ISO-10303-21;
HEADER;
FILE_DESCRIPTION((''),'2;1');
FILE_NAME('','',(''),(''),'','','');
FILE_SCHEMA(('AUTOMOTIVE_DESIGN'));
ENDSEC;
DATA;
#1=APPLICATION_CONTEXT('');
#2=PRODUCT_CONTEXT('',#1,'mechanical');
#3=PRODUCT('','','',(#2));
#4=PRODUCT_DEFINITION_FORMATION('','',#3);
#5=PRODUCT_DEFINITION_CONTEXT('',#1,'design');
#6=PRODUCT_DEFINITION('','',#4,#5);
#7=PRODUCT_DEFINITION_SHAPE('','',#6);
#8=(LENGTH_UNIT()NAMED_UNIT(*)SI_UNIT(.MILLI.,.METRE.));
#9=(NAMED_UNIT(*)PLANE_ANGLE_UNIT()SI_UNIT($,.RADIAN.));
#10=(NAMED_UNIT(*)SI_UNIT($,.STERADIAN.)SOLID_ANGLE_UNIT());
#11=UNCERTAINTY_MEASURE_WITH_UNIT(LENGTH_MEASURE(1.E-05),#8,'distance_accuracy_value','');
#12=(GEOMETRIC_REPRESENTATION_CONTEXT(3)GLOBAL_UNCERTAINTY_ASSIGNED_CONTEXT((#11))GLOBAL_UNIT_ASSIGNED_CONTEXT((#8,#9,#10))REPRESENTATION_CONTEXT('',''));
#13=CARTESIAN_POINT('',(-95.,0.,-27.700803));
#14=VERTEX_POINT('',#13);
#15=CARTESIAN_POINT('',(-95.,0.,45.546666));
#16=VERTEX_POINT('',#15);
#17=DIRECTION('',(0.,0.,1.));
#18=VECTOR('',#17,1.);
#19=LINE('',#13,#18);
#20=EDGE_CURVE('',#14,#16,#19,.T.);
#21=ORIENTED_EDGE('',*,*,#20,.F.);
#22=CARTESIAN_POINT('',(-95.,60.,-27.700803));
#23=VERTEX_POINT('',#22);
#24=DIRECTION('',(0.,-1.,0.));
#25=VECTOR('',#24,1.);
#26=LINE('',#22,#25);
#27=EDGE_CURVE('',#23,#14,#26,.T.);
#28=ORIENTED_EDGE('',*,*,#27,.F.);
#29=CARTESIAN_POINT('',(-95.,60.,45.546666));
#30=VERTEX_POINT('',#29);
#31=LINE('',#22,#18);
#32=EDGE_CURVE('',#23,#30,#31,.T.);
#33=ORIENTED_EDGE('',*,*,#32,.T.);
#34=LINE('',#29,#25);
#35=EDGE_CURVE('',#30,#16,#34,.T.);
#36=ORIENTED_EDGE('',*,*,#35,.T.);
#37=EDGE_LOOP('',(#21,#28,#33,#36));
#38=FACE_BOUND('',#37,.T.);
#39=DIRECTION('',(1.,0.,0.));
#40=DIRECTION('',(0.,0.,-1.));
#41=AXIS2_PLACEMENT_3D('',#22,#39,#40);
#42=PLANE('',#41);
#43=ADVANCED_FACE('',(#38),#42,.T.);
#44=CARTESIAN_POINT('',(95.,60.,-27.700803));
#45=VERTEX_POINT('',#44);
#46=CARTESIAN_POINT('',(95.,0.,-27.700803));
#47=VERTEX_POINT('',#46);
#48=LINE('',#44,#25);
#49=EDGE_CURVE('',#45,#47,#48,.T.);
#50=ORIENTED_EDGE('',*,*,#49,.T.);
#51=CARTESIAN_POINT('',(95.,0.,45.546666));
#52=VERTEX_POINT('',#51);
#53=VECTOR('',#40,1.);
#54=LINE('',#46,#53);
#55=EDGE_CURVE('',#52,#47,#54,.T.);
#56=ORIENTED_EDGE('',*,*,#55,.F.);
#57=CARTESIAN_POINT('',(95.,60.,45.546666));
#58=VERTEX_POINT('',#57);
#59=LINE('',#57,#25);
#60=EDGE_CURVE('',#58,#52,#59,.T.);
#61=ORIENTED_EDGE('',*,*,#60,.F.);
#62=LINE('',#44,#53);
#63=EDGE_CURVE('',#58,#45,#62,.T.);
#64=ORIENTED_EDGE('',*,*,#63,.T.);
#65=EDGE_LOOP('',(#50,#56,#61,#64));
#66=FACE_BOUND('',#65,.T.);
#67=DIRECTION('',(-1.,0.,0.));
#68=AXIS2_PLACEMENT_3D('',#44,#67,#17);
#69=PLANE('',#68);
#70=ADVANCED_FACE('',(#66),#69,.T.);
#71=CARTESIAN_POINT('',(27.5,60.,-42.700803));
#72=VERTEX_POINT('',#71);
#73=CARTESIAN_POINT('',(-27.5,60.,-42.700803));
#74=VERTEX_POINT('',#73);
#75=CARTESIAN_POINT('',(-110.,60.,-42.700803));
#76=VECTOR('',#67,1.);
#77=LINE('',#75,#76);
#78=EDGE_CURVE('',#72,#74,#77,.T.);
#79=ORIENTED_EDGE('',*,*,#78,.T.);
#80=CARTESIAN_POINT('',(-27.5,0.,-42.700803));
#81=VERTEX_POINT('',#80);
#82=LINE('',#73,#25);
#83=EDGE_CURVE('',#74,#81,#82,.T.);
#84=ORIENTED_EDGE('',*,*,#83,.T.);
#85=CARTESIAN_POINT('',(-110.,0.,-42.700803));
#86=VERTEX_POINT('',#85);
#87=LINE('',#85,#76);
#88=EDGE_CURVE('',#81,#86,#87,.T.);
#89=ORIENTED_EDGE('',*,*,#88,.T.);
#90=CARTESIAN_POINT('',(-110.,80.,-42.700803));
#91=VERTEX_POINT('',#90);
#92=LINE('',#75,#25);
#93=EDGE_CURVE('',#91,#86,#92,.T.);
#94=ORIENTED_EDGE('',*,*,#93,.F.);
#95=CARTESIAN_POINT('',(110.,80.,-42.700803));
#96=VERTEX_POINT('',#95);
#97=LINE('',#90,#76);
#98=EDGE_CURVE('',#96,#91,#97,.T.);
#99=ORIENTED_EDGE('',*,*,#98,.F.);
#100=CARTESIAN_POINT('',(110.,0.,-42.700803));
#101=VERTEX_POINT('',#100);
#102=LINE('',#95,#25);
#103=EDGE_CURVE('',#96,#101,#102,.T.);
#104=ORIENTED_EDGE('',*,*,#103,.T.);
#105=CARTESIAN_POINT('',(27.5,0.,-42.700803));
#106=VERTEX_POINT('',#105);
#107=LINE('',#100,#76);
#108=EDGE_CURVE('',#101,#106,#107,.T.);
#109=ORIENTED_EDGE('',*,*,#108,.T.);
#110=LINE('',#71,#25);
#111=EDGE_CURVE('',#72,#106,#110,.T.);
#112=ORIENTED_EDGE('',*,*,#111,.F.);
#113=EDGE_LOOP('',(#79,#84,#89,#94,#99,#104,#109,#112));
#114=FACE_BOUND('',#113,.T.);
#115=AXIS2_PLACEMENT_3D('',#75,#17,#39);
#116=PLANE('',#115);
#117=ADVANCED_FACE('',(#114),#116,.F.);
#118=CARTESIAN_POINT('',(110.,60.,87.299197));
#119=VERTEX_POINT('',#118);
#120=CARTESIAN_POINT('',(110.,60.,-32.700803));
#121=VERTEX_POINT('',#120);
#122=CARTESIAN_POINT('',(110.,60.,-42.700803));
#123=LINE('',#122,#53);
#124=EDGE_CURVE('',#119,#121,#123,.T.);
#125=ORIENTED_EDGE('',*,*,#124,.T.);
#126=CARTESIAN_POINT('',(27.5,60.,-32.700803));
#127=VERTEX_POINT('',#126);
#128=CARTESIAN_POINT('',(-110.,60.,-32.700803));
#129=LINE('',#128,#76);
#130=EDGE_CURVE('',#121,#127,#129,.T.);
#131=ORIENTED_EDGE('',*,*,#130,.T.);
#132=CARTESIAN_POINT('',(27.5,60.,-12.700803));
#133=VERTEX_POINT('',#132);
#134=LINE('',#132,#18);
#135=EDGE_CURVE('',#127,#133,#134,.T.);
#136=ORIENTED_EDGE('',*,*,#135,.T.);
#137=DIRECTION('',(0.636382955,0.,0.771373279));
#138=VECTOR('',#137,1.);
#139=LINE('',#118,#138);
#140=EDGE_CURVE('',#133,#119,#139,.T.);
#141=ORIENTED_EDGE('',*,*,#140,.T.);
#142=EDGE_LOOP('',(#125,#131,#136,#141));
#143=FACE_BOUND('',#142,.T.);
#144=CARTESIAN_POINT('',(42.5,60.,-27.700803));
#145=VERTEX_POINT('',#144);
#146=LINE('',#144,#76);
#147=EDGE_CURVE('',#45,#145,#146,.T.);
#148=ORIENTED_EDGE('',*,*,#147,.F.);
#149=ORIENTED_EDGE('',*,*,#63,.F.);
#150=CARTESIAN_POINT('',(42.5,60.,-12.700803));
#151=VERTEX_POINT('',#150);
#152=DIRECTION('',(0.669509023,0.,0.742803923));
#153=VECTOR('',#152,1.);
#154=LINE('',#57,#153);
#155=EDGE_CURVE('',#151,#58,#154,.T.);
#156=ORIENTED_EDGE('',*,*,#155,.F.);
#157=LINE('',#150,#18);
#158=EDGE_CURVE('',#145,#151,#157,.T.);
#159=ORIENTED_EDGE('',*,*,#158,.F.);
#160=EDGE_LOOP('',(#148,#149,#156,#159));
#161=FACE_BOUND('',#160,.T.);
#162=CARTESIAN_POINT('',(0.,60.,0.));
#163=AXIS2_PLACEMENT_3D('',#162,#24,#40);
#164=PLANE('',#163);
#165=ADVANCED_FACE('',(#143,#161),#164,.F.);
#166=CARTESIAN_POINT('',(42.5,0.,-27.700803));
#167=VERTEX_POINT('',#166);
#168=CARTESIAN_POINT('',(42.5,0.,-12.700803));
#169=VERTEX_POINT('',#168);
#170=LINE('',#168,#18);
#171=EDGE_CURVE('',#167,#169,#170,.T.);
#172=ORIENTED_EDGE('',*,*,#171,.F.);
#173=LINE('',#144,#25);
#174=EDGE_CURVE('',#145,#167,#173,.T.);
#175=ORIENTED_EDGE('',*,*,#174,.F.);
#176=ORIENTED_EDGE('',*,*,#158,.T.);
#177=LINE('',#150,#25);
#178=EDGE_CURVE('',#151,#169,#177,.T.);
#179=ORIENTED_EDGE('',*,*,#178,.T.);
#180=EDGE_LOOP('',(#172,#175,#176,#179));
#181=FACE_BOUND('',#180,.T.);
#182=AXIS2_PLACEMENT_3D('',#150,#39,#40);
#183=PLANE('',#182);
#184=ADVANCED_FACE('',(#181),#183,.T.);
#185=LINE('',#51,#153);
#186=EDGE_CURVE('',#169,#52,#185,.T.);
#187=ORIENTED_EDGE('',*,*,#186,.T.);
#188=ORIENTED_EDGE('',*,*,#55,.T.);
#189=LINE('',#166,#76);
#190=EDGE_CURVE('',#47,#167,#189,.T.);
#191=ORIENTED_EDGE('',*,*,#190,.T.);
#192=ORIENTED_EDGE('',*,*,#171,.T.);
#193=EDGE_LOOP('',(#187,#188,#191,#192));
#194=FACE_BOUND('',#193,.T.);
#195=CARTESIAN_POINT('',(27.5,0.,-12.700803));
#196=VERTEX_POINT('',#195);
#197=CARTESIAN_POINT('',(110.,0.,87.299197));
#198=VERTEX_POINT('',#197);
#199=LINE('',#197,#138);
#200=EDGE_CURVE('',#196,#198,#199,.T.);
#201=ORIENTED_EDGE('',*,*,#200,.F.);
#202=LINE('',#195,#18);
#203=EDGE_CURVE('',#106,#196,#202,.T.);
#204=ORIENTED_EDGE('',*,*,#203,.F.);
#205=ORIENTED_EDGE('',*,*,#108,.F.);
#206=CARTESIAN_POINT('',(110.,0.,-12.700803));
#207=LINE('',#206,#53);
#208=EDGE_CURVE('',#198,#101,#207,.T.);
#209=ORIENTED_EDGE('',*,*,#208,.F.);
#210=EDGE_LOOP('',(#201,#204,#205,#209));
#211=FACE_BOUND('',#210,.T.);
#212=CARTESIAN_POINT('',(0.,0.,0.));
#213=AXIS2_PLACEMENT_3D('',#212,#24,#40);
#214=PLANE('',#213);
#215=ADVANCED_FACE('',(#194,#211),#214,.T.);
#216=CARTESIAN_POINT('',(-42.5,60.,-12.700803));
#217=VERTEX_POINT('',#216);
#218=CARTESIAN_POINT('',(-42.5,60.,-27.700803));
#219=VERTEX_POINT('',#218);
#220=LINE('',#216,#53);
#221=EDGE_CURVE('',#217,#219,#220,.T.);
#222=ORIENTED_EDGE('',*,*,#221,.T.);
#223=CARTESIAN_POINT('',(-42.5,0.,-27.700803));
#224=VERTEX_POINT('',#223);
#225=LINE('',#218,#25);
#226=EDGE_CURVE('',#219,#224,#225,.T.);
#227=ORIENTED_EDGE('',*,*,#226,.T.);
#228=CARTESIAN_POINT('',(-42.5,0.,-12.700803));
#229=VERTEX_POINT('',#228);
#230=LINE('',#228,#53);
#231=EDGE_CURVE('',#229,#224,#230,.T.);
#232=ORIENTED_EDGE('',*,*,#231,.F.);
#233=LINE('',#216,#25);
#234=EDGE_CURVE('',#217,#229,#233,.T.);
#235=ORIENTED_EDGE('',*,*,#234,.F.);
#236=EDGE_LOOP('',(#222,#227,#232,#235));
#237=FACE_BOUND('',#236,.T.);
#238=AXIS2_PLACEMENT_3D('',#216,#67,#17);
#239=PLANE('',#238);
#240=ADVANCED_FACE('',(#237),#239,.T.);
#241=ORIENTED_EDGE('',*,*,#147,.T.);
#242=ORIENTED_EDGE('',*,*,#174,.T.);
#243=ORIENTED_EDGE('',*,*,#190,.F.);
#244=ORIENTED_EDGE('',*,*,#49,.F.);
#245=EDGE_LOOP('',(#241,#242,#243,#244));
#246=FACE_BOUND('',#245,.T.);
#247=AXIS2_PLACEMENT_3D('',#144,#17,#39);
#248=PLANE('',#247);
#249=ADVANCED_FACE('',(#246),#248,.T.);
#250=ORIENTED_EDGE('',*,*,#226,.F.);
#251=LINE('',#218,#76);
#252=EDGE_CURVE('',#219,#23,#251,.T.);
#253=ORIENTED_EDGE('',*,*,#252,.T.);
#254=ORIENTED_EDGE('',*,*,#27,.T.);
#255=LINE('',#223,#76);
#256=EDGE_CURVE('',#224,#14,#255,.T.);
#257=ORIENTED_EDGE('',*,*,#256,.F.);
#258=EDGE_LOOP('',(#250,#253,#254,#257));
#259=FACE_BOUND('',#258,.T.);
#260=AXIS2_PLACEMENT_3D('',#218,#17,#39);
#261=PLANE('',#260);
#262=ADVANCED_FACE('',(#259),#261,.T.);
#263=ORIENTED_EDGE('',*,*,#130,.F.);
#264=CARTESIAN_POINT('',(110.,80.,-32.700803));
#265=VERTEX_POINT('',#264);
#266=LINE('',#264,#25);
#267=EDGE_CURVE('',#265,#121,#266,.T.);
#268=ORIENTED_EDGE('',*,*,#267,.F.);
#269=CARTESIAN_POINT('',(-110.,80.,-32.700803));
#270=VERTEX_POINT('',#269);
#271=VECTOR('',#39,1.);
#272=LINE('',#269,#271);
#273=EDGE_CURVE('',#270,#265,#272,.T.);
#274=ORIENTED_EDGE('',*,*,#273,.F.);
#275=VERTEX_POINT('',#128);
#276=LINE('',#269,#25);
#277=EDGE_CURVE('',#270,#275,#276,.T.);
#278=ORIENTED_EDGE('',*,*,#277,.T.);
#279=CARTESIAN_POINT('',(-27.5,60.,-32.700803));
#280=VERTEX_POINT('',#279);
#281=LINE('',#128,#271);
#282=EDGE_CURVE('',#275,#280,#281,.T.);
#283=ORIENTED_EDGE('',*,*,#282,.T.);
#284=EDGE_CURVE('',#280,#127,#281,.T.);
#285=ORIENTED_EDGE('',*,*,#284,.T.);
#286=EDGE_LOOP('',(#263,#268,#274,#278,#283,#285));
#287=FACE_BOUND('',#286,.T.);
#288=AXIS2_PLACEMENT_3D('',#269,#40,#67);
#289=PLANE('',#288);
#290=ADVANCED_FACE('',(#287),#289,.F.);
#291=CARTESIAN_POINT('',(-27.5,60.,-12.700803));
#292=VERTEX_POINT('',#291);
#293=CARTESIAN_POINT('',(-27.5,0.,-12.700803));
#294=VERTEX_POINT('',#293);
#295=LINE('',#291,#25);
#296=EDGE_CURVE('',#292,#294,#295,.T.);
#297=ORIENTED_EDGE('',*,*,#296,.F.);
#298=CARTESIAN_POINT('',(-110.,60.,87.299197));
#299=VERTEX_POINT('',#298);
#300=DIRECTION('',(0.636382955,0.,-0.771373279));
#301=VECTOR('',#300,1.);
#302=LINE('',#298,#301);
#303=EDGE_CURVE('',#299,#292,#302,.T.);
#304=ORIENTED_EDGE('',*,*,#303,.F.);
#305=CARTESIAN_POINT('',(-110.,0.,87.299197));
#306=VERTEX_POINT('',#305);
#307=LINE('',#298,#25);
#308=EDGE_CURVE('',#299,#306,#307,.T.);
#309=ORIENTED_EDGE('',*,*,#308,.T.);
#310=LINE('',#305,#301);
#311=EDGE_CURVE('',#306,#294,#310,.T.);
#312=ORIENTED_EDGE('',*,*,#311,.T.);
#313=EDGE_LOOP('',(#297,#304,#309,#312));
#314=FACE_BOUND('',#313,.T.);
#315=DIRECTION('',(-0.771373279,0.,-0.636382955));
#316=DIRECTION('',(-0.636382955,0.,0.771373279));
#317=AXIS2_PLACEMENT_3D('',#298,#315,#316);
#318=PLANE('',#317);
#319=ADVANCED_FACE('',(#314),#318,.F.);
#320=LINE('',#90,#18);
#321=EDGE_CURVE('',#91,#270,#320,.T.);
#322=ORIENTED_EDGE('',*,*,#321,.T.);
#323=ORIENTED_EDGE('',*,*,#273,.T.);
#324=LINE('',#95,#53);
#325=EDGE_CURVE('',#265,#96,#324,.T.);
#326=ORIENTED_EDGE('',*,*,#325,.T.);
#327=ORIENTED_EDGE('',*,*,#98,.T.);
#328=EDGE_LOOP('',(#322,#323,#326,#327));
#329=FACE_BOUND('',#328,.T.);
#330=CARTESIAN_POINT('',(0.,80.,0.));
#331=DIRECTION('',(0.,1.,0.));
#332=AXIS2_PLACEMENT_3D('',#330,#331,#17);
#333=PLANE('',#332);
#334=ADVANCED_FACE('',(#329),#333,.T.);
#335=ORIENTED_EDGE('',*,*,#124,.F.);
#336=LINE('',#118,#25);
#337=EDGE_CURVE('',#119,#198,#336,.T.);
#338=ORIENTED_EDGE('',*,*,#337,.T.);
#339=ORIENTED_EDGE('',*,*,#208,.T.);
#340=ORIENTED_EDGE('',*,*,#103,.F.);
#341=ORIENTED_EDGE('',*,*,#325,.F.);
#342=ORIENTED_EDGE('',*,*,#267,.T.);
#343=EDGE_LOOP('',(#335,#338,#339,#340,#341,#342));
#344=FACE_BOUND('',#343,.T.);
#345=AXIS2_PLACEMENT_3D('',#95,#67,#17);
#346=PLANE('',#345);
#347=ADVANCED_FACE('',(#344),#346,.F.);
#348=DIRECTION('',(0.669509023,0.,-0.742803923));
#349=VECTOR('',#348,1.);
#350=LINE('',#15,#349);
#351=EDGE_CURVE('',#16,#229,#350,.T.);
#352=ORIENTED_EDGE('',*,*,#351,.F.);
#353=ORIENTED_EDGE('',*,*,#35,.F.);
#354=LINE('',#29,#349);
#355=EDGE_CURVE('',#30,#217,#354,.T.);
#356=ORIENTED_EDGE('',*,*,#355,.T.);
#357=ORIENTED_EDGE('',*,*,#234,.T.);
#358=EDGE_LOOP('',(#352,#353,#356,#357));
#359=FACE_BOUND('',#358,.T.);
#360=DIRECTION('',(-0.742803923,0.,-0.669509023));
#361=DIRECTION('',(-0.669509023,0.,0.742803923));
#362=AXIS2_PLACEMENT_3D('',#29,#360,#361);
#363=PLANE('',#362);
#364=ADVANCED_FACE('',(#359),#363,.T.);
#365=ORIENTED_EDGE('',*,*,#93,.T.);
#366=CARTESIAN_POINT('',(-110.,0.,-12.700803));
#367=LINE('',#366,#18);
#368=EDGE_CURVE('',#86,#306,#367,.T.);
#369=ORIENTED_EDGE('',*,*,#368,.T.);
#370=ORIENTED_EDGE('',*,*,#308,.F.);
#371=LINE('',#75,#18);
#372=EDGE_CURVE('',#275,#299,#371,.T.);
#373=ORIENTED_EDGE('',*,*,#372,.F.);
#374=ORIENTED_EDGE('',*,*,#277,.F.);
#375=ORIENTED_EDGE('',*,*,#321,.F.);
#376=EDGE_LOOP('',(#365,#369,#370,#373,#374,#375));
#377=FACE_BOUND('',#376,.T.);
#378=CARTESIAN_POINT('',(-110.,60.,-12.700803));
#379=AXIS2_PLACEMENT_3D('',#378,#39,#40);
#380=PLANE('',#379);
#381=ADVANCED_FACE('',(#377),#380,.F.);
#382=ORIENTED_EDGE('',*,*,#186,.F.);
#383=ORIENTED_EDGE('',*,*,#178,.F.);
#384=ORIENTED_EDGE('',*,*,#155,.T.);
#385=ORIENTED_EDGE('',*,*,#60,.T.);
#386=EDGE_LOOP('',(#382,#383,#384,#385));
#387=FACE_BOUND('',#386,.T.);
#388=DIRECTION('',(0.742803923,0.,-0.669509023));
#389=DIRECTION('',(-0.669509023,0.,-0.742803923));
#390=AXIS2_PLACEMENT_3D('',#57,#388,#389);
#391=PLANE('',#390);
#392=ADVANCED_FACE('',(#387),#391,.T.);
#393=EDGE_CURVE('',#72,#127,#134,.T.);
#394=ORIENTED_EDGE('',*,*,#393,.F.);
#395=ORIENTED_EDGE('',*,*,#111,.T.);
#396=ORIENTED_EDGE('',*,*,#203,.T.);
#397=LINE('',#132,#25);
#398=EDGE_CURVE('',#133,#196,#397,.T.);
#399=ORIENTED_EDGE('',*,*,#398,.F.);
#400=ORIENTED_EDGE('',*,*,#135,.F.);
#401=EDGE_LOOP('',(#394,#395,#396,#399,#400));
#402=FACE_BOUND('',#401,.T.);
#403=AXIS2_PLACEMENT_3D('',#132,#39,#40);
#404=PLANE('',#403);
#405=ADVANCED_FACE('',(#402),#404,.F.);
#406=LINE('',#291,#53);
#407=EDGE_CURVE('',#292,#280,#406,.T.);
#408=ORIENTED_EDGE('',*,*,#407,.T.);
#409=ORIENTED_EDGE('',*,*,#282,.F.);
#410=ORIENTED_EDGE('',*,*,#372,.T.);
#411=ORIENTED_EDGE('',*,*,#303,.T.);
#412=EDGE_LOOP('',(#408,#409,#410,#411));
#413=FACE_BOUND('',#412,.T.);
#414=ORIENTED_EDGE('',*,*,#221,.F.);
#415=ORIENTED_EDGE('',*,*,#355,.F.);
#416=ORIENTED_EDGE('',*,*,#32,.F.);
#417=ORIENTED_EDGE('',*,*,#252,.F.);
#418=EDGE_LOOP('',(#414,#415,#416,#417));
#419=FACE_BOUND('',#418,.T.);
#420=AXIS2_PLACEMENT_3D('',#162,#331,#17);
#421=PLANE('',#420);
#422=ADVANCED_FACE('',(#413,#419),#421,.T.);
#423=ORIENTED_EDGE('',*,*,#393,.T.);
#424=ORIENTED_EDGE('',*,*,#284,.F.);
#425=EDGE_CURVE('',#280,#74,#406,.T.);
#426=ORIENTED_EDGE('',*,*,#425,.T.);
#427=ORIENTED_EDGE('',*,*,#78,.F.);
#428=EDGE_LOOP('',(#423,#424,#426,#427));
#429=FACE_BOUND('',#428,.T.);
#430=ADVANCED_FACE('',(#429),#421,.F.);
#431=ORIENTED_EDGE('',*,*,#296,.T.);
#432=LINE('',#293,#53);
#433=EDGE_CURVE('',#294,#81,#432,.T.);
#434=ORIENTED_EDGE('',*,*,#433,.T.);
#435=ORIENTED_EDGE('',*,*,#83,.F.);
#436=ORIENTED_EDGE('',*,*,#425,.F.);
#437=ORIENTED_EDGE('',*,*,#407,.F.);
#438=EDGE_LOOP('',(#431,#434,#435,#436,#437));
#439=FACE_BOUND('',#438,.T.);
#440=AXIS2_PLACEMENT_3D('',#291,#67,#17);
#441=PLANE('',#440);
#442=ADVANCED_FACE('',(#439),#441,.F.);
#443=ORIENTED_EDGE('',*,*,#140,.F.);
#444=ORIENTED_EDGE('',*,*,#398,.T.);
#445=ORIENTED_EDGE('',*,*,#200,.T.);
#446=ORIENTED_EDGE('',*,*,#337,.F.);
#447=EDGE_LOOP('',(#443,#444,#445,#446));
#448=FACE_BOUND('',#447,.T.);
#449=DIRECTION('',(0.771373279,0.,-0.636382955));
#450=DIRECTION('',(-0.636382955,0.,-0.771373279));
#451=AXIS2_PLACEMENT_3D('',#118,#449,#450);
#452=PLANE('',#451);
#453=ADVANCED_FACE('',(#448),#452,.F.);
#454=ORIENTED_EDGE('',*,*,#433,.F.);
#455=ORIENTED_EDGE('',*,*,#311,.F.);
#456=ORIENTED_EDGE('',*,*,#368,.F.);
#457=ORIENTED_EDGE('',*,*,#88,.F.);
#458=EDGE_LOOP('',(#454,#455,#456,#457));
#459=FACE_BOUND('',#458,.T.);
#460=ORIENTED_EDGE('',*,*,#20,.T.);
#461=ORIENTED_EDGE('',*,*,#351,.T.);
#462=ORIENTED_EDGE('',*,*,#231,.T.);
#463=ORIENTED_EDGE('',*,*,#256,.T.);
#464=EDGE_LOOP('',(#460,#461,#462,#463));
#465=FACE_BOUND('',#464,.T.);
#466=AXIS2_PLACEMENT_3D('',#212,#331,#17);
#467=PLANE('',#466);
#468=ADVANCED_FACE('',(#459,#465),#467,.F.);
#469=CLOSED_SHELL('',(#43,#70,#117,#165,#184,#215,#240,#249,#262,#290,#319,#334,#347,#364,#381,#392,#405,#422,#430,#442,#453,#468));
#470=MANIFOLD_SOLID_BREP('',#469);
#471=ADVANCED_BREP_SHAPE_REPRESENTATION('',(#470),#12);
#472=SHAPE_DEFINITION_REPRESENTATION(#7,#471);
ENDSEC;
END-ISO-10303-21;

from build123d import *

# Parameters (mm, degrees)
BOSS_EXTRUDE1_DEPTH   = 60
BOSS_EXTRUDE1_2_DEPTH = 60
SKETCH3_W             = 220
SKETCH3_H             = 10
BOSS_EXTRUDE3_DEPTH   = 20


with BuildPart() as part:
    # Sketch1 → Boss-Extrude1 (new body)
    with BuildSketch(Plane(origin=(0, 0, 0), x_dir=(1, 0, 0), z_dir=(0, 1, 0))):
        Polygon((-110, 12.700803213), (-110, -87.299196787), (-27.5, 12.700803213), (-27.5, 42.700803213), (-110, 42.700803213), align=None)
        Polygon((-95, 27.700803213), (-95, -45.546665583), (-42.5, 12.700803213), (-42.5, 27.700803213), align=None, mode=Mode.SUBTRACT)
    extrude(amount=BOSS_EXTRUDE1_DEPTH)



with BuildPart() as body_2:
    # Sketch1 → Boss-Extrude1 2 (new body)
    with BuildSketch(Plane(origin=(0, 0, 0), x_dir=(1, 0, 0), z_dir=(0, 1, 0))):
        Polygon((110, 42.700803213), (27.5, 42.700803213), (27.5, 12.700803213), (110, -87.299196787), (110, 12.700803213), align=None)
        Polygon((42.5, 12.700803213), (42.5, 27.700803213), (95, 27.700803213), (95, -45.546665583), align=None, mode=Mode.SUBTRACT)
    extrude(amount=BOSS_EXTRUDE1_2_DEPTH)


with BuildPart() as part_1:
    add(part.part)

    add(body_2.part)  # Boss-Extrude3 merges body 2
    # Sketch3 → Boss-Extrude3 (add)
    with BuildSketch(Plane(origin=(0, 60, 0), x_dir=(1, 0, 0), z_dir=(0, 1, 0))):
        with Locations((0, 37.700803213)):
            Rectangle(SKETCH3_W, SKETCH3_H)
    extrude(amount=BOSS_EXTRUDE3_DEPTH)


solid = part_1.part
